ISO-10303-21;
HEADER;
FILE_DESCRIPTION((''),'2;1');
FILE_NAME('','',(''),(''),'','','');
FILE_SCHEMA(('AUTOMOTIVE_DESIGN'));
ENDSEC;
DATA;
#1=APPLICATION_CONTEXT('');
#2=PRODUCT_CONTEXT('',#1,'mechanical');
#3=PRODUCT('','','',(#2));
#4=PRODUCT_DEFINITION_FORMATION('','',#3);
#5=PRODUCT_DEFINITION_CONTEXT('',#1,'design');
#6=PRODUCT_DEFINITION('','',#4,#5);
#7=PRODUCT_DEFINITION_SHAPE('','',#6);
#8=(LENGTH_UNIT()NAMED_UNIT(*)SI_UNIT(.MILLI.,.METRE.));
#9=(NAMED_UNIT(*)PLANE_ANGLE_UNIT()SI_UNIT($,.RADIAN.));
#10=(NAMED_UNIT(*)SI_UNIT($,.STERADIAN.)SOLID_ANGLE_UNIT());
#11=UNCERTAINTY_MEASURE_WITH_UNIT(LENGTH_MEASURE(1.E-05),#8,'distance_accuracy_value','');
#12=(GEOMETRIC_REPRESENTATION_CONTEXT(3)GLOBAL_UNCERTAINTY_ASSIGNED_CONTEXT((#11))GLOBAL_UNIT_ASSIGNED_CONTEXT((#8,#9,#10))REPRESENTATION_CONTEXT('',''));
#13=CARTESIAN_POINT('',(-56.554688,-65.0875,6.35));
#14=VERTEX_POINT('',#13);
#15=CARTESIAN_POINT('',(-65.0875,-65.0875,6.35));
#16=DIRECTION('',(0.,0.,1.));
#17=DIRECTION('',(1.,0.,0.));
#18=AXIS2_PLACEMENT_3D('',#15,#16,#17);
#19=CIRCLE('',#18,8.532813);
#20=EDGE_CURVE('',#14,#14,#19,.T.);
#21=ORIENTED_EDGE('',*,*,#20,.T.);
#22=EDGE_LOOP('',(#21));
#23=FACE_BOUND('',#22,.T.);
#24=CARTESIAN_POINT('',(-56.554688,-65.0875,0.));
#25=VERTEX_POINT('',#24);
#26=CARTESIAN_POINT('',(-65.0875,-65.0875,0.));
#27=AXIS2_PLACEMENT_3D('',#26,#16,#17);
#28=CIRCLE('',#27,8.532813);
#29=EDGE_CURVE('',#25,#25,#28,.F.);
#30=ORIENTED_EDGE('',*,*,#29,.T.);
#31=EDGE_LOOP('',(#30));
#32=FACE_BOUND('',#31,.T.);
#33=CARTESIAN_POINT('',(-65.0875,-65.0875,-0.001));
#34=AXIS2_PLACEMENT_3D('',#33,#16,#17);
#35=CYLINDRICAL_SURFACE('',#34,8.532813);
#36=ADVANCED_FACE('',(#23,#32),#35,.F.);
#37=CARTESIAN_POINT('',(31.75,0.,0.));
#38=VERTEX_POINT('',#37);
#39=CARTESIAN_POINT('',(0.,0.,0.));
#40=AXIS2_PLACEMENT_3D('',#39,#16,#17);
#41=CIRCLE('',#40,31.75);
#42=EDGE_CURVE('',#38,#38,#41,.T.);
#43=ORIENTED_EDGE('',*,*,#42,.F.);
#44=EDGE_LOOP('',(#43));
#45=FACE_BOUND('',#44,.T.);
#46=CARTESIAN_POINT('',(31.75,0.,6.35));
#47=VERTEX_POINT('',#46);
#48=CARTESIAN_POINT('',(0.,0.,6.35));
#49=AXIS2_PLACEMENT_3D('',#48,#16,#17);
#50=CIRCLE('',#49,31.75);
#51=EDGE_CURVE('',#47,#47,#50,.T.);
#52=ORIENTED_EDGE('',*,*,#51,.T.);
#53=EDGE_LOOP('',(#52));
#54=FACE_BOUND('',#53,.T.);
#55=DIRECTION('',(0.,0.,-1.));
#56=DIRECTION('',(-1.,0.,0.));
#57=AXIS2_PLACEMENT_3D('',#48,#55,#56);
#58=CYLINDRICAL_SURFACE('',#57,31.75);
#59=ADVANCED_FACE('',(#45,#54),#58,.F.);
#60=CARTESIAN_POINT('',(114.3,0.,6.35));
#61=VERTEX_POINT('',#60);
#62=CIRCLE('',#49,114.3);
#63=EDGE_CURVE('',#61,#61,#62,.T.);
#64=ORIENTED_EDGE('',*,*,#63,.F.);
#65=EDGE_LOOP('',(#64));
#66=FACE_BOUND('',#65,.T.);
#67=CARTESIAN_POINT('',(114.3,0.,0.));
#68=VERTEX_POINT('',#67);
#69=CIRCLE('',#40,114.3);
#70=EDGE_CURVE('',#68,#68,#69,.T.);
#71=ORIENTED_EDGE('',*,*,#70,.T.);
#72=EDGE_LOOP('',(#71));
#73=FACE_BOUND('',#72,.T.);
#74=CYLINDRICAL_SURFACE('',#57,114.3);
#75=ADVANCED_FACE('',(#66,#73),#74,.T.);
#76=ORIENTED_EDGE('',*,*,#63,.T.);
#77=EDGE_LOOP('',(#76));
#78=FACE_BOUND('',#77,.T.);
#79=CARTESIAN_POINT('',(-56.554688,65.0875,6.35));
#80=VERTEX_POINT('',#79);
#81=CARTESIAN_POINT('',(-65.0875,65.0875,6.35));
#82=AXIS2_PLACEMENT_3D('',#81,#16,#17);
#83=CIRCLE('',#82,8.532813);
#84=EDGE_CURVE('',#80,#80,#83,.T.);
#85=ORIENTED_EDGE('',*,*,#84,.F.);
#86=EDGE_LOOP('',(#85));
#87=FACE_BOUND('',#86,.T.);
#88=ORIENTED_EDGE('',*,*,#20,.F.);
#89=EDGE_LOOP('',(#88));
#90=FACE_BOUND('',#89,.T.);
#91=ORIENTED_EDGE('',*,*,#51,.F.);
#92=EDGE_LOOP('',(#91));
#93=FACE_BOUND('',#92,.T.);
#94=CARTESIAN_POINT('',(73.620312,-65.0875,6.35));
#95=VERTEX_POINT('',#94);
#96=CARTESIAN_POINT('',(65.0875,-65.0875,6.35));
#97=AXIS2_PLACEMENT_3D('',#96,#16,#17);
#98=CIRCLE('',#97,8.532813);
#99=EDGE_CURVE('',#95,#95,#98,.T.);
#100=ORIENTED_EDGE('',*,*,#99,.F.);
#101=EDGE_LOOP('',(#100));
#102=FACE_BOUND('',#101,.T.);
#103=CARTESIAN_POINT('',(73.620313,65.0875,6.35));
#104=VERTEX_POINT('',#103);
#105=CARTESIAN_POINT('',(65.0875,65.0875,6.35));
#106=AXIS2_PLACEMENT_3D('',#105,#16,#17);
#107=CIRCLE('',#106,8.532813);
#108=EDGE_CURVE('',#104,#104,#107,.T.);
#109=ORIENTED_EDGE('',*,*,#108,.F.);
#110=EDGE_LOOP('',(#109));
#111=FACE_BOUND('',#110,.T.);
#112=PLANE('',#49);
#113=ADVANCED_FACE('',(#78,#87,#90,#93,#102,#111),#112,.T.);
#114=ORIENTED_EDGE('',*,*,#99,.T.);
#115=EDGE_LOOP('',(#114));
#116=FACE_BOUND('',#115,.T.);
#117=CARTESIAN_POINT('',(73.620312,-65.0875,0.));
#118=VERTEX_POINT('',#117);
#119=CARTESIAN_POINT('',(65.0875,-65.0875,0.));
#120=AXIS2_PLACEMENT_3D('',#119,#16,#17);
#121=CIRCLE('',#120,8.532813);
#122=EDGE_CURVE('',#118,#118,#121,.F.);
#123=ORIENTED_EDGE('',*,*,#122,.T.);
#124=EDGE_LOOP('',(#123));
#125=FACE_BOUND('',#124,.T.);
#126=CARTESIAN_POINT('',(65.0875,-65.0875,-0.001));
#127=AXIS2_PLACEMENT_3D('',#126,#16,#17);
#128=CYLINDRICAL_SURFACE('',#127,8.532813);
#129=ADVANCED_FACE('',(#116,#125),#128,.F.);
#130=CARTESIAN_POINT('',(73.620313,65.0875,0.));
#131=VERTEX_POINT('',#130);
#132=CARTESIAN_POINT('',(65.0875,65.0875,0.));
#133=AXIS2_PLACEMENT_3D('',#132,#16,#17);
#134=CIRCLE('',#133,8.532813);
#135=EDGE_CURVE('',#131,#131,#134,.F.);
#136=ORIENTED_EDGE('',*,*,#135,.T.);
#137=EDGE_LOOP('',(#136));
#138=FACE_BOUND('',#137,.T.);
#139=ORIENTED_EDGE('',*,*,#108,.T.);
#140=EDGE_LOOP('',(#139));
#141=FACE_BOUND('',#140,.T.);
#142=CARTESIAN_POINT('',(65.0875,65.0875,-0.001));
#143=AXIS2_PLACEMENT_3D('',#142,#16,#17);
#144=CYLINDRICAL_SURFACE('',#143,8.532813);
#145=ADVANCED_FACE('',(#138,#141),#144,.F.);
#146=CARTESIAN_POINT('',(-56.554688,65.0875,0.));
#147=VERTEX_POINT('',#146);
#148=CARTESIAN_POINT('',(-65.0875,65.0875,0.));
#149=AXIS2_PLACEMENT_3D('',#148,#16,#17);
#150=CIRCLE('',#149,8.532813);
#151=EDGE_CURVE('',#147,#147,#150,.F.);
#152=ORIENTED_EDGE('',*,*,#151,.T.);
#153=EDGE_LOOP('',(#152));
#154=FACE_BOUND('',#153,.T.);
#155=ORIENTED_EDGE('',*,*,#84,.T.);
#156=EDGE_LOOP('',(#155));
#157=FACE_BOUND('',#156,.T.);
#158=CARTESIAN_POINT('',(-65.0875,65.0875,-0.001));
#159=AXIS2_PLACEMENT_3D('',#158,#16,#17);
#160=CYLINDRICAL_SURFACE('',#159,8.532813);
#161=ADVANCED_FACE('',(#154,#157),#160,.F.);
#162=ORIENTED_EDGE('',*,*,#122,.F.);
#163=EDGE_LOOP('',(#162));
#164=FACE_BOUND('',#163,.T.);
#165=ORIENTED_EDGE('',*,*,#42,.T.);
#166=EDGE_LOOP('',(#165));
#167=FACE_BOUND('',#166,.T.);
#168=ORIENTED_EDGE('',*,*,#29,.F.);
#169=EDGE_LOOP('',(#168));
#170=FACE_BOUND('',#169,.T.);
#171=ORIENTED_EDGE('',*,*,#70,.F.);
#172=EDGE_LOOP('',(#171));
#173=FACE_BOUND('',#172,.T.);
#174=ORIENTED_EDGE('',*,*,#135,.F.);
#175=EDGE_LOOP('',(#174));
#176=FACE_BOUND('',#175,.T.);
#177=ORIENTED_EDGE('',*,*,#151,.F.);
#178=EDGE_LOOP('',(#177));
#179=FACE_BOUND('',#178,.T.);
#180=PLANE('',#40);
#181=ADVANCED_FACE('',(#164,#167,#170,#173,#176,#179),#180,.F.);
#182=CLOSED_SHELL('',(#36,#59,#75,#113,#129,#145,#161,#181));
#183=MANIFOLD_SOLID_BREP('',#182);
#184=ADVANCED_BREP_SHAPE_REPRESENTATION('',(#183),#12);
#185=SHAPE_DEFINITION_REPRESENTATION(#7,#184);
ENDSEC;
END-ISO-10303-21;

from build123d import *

# Parameters (mm, degrees)
SKETCH2_R          = 114.3
SKETCH2_R_2        = 31.75
EXTRUDE1_DEPTH     = 6.35
CUT_EXTRUDE1_REACH = 163.769
SKETCH3_R          = 8.5328125


with BuildPart() as part:
    # Sketch2 → Extrude1 (new body)
    with BuildSketch(Plane.XY):
        Circle(SKETCH2_R)
        Circle(SKETCH2_R_2, mode=Mode.SUBTRACT)
    extrude(amount=EXTRUDE1_DEPTH)

    # Sketch3 → Cut-Extrude1 (cut, up to next)
    with BuildSketch(Plane.XY.offset(6.35), mode=Mode.PRIVATE) as cut_extrude1_sk1:
        with Locations((-65.0875, -65.0875)):
            Circle(SKETCH3_R)
    cut_extrude1_tool1 = extrude(cut_extrude1_sk1.sketch, amount=-CUT_EXTRUDE1_REACH, mode=Mode.PRIVATE) & part.part
    # Sketch3 → Cut-Extrude1 (cut, up to next)
    with BuildSketch(Plane.XY.offset(6.35), mode=Mode.PRIVATE) as cut_extrude1_sk2:
        with Locations((-65.0875, 65.0875)):
            Circle(SKETCH3_R)
    cut_extrude1_tool2 = extrude(cut_extrude1_sk2.sketch, amount=-CUT_EXTRUDE1_REACH, mode=Mode.PRIVATE) & part.part
    # Sketch3 → Cut-Extrude1 (cut, up to next)
    with BuildSketch(Plane.XY.offset(6.35), mode=Mode.PRIVATE) as cut_extrude1_sk3:
        with Locations((65.0875, 65.0875)):
            Circle(SKETCH3_R)
    cut_extrude1_tool3 = extrude(cut_extrude1_sk3.sketch, amount=-CUT_EXTRUDE1_REACH, mode=Mode.PRIVATE) & part.part
    # Sketch3 → Cut-Extrude1 (cut, up to next)
    with BuildSketch(Plane.XY.offset(6.35), mode=Mode.PRIVATE) as cut_extrude1_sk4:
        with Locations((65.0875, -65.0875)):
            Circle(SKETCH3_R)
    cut_extrude1_tool4 = extrude(cut_extrude1_sk4.sketch, amount=-CUT_EXTRUDE1_REACH, mode=Mode.PRIVATE) & part.part
    add(cut_extrude1_tool1.solids().sort_by_distance((-65.0875, -65.0875, 6.35))[0], mode=Mode.SUBTRACT)
    add(cut_extrude1_tool2.solids().sort_by_distance((-65.0875, 65.0875, 6.35))[0], mode=Mode.SUBTRACT)
    add(cut_extrude1_tool3.solids().sort_by_distance((65.0875, 65.0875, 6.35))[0], mode=Mode.SUBTRACT)
    add(cut_extrude1_tool4.solids().sort_by_distance((65.0875, -65.0875, 6.35))[0], mode=Mode.SUBTRACT)


solid = part.part
